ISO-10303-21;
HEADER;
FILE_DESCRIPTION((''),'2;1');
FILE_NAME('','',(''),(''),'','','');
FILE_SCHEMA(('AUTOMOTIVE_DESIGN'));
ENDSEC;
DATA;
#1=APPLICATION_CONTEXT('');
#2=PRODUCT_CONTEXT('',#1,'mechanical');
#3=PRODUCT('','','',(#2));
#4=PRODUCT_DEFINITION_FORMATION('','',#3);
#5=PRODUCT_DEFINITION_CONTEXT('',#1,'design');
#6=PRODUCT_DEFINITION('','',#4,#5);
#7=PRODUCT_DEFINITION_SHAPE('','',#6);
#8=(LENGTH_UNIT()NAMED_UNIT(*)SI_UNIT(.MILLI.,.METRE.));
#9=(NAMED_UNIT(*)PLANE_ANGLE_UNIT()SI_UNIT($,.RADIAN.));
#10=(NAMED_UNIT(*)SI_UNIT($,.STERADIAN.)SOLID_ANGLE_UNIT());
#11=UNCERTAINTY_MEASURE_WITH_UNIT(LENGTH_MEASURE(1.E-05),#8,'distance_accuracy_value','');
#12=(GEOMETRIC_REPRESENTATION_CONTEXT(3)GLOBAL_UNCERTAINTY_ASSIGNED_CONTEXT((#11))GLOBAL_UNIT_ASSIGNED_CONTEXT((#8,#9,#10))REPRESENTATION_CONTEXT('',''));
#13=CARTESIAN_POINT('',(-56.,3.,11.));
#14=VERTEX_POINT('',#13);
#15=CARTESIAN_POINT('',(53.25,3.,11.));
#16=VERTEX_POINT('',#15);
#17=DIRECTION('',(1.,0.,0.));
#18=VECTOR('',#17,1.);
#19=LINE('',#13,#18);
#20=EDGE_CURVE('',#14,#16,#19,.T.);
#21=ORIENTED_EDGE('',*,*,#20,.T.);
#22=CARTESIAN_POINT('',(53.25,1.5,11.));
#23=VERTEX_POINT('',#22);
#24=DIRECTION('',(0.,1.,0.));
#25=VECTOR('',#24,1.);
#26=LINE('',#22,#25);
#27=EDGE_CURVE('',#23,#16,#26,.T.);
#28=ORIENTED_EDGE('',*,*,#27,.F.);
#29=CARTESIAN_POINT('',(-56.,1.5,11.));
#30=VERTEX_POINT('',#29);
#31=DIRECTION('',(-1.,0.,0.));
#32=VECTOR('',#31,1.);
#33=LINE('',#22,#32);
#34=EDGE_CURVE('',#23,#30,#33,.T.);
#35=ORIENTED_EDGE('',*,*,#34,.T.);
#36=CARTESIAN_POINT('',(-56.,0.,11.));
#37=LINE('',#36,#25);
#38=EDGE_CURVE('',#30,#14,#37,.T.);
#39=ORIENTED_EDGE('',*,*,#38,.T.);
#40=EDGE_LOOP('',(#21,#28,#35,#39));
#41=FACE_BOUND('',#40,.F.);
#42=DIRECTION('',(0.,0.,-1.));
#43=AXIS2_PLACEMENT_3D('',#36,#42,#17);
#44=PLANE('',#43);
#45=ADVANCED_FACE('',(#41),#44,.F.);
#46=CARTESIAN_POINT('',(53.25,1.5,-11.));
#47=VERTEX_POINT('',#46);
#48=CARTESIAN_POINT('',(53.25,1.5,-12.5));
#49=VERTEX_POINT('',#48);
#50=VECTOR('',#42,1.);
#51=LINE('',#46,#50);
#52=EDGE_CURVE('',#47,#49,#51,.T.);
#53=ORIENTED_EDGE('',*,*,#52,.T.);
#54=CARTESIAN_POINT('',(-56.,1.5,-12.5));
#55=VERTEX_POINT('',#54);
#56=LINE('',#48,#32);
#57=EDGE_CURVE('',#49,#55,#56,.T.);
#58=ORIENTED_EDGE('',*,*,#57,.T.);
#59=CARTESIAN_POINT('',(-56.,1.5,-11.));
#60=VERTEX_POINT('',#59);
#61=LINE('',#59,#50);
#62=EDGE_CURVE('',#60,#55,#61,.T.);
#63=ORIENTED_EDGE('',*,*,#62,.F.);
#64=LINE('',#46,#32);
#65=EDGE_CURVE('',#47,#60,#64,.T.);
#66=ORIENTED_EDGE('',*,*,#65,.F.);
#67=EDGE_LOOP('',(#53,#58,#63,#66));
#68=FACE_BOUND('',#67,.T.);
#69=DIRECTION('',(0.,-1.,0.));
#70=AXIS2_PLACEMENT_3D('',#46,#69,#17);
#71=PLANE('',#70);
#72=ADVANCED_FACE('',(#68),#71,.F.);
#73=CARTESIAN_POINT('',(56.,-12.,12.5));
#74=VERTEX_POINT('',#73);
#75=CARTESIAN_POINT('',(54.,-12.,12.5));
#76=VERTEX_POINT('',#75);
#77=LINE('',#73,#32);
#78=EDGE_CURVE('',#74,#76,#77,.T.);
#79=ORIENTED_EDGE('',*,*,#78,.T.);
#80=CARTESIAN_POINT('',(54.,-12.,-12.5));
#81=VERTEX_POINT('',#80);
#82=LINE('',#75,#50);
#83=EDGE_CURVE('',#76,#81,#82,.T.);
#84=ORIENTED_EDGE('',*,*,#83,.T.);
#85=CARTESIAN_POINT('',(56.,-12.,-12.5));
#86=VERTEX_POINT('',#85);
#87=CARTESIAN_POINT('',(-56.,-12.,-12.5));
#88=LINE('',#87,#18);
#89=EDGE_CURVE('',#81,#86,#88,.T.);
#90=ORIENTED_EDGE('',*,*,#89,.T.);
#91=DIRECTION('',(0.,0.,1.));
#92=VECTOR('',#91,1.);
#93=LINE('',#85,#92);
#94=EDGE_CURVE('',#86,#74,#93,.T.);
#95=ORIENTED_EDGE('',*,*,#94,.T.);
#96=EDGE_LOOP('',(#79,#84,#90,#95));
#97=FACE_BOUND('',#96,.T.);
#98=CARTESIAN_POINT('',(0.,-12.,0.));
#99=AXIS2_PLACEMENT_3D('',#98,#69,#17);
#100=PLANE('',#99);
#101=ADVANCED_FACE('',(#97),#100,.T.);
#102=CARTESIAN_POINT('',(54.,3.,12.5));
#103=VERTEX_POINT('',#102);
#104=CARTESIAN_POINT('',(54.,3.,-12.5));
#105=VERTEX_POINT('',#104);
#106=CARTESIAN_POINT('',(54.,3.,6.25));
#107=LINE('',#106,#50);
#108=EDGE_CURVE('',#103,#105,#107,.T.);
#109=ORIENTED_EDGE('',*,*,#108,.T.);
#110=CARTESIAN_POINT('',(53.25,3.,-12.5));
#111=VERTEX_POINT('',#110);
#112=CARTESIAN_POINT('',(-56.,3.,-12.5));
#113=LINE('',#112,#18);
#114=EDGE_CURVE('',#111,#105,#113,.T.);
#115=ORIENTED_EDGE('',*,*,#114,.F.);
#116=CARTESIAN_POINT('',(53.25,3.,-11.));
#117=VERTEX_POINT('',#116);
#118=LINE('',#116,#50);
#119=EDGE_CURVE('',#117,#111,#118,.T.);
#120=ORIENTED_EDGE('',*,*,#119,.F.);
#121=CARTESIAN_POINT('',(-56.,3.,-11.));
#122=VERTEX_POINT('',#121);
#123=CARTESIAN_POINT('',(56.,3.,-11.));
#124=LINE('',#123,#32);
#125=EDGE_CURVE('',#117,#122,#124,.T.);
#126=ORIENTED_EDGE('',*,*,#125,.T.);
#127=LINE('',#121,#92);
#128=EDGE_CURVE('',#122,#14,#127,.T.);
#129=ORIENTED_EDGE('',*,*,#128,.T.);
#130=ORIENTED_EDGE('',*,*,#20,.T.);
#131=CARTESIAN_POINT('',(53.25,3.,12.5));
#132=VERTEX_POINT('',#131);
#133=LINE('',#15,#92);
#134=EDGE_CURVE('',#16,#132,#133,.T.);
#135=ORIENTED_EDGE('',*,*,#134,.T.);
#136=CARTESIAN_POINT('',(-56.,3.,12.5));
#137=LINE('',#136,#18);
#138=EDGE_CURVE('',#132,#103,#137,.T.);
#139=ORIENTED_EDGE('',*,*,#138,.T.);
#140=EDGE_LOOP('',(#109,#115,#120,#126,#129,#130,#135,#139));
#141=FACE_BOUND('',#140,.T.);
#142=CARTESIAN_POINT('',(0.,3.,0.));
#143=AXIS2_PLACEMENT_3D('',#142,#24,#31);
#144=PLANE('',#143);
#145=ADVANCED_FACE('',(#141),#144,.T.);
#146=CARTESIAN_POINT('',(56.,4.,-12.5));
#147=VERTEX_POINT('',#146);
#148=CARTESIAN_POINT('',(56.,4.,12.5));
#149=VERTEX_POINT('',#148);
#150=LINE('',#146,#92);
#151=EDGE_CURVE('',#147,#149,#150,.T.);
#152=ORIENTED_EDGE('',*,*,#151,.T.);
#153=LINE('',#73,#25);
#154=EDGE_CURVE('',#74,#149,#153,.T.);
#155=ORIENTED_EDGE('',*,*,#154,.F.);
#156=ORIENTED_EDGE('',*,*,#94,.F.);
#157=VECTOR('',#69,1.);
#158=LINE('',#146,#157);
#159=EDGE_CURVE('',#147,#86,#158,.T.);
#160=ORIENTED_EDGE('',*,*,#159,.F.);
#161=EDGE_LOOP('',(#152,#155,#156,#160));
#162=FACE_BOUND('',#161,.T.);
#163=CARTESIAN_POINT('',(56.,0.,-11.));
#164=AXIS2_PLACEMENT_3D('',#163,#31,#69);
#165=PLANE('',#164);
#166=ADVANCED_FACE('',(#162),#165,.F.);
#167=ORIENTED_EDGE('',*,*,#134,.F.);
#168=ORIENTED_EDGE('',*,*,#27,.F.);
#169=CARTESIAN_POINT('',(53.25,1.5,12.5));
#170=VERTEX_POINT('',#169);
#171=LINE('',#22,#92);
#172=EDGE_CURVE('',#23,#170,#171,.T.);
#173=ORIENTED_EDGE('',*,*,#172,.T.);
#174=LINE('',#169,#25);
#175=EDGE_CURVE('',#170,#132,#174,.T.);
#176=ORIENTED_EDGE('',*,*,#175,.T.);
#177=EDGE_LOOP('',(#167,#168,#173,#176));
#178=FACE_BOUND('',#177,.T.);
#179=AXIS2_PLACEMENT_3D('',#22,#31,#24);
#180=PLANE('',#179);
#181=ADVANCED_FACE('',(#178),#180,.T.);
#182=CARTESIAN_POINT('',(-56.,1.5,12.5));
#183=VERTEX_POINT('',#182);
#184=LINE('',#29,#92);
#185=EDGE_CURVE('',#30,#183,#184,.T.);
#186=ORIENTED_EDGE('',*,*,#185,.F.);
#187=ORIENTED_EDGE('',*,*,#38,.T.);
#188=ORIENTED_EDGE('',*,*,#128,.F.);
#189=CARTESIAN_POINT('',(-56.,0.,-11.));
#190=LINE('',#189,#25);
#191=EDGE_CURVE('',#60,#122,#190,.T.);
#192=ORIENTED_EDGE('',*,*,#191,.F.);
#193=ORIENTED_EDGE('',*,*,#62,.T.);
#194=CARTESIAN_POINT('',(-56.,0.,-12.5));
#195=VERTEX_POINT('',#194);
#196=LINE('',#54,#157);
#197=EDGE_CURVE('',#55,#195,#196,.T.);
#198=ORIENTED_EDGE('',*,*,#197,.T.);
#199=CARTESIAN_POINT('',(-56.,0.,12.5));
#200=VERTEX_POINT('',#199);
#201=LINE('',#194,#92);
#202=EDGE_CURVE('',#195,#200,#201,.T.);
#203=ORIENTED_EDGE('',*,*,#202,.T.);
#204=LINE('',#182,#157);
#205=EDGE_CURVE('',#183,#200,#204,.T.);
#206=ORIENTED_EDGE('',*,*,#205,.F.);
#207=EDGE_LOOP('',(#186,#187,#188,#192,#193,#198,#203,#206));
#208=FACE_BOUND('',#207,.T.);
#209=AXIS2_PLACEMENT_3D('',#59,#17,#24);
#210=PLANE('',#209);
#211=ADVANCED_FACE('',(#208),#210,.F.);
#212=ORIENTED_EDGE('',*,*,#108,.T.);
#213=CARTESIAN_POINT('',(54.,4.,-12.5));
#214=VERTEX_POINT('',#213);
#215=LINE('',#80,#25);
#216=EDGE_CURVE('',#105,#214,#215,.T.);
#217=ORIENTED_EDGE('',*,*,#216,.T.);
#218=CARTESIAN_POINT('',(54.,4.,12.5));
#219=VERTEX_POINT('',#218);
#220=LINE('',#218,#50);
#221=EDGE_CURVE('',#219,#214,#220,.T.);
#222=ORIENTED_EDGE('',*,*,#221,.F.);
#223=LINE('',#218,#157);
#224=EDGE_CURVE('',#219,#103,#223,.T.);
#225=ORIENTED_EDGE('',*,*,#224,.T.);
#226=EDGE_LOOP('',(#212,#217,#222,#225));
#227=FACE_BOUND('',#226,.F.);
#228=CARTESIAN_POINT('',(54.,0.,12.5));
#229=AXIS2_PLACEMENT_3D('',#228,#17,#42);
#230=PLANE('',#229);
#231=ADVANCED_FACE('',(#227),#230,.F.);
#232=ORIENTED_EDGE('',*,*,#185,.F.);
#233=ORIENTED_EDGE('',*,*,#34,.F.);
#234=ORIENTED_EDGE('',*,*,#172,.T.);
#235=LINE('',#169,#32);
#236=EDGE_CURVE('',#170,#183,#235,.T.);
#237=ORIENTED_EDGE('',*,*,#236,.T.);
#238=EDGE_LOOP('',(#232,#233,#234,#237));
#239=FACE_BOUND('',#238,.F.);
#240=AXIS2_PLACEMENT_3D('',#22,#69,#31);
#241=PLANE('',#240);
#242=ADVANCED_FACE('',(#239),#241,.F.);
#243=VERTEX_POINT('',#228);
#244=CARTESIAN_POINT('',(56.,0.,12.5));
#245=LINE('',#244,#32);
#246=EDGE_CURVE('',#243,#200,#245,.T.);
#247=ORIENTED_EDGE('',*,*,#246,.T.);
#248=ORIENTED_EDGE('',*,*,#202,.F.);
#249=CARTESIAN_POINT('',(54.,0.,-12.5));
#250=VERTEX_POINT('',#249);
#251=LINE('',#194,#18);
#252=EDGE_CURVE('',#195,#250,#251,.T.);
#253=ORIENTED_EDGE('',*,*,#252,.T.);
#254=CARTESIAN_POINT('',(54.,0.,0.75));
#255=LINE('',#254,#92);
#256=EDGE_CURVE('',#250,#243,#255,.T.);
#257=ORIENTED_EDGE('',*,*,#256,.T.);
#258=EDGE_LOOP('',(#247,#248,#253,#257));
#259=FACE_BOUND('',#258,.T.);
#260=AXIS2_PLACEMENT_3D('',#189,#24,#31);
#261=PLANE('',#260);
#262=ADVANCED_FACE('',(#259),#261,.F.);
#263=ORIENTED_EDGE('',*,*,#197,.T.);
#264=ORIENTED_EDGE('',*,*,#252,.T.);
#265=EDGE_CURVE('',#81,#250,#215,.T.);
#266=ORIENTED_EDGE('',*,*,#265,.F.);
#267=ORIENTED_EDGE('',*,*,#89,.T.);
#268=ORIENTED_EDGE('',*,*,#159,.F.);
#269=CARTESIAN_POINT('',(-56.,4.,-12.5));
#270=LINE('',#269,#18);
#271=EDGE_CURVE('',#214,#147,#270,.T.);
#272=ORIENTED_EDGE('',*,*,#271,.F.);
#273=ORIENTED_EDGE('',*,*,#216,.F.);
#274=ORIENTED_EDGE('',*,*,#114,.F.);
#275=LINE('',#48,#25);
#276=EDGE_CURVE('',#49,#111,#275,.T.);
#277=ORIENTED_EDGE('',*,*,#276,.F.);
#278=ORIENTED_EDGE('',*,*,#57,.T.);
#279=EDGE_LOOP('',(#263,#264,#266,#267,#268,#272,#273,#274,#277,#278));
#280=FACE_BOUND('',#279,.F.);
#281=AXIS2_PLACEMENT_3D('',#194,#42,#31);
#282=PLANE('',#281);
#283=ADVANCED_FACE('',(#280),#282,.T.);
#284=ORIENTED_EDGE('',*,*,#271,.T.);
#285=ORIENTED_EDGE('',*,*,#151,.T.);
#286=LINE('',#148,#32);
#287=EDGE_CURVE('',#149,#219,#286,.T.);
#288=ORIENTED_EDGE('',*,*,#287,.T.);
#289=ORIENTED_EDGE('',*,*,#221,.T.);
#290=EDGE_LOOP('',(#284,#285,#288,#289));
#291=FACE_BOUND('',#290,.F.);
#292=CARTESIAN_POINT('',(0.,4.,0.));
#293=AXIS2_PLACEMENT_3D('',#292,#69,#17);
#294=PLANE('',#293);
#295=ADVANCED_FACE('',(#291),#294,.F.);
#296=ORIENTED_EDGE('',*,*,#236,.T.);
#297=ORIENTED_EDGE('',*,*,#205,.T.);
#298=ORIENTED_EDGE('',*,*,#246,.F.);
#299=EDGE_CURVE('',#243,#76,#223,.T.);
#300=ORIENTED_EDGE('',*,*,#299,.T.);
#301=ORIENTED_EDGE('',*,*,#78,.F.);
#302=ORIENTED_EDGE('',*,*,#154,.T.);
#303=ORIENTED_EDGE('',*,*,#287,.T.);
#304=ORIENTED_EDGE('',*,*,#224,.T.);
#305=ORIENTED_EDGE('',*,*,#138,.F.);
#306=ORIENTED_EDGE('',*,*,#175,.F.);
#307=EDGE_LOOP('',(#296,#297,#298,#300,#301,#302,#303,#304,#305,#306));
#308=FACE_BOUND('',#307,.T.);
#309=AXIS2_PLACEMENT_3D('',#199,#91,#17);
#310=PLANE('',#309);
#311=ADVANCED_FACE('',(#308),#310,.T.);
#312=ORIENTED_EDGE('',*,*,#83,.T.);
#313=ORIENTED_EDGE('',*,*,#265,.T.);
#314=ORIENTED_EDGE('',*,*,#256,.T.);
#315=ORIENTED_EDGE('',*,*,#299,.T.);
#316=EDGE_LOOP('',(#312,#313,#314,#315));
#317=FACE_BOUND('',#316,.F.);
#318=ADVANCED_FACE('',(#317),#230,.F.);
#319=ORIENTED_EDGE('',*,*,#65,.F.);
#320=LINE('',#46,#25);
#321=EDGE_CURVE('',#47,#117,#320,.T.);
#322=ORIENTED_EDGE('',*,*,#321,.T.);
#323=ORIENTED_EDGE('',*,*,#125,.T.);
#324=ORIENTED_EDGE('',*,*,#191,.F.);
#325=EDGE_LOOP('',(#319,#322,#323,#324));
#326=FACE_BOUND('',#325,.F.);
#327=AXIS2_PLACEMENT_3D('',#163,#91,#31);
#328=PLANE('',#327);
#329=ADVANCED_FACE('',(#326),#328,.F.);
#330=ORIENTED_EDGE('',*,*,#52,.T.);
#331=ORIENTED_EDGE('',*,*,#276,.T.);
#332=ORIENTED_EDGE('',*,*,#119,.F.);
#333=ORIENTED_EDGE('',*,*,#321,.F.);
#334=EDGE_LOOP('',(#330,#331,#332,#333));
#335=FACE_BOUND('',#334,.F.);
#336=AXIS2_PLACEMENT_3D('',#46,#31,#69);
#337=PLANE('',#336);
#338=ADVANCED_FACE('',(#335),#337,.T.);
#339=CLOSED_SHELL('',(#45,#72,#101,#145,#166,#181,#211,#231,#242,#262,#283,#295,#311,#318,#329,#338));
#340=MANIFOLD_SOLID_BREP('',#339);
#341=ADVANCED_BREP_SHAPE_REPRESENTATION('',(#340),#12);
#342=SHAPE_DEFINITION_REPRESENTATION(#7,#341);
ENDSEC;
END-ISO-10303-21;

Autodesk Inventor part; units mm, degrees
ref_plane "YZ Plane" through (0, 0, 0) normal (1, 0, 0) x (0, 1, 0)
ref_plane "XZ Plane" through (0, 0, 0) normal (0, 1, 0) x (-1, 0, 0)
ref_plane "XY Plane" through (0, 0, 0) normal (0, 0, 1) x (1, 0, 0)
sketch "Sketch2" plane through (0, 0, 0) normal (0, 1, 0) x (-1, 0, 0)
  line L0 (56, 11) -> (-56, 11)
  line L1 (-56, 11) -> (-56, -11)
  line L2 (-56, -11) -> (56, -11)
  line L3 (56, -11) -> (56, 11)
  line L4 (56, 11) -> (-56, -11) construction
  line L5 (-56, 11) -> (56, -11) construction
  point P0 (0, 0)
  dimension "d2" = 112
  dimension "d3" = 22
extrude "Extrusion1" add sketch "Sketch2" along normal blind 3
sketch "Sketch4" plane through (-56, 0, 11) normal (0, 0, 1) x (1, 0, 0)
  line L0 (0, 0) -> (112, 0) projected
  line L1 (112, 0) -> (112, 3) projected
  line L2 (0, 0) -> (110, 0)
  line L3 (112, 0) -> (112, 1.5) construction
  line L4 (112, 1.5) -> (109.25, 1.5) construction
  line L5 (0, 1.5) -> (0, 0)
  line L6 (109.25, 1.5) -> (0, 1.5)
  line L7 (110, 0) -> (112, 0) construction
  line L8 (109.25, 1.5) -> (109.25, 3)
  line L9 (0, 3) -> (112, 3) projected
  line L10 (109.25, 3) -> (112, 3)
  line L11 (112, 3) -> (112, 0)
  line L12 (110, 0) -> (112, 0)
  point P0 (56, 0)
  dimension "d6" = 1.5
  dimension "d12" = 2.75
extrude "Extrusion2" add sketch "Sketch4" along normal blind 1.5
mirror "Mirror1" about plane through (0, 0, 0) normal (0, 0, 1) of "Extrusion2"
sketch "Sketch6" plane through (0, 0, 0) normal (0, -1, 0) x (1, 0, 0)
  line L0 (56, 12.5) -> (53.25, 12.5) projected
  line L1 (-56, -12.5) -> (56, -12.5) projected
  line L2 (56, 12.5) -> (54, 12.5)
  line L3 (54, 12.5) -> (54, -12.5)
  line L4 (54, -12.5) -> (56, -12.5)
  line L5 (56, -12.5) -> (56, 12.5)
  point P0 (0, 0)
  dimension "d13" = 2
extrude "Extrusion4" add sketch "Sketch6" along normal blind 12 and the other way blind 4
properties part number "LampeSolaire2_Casing_Cover"
